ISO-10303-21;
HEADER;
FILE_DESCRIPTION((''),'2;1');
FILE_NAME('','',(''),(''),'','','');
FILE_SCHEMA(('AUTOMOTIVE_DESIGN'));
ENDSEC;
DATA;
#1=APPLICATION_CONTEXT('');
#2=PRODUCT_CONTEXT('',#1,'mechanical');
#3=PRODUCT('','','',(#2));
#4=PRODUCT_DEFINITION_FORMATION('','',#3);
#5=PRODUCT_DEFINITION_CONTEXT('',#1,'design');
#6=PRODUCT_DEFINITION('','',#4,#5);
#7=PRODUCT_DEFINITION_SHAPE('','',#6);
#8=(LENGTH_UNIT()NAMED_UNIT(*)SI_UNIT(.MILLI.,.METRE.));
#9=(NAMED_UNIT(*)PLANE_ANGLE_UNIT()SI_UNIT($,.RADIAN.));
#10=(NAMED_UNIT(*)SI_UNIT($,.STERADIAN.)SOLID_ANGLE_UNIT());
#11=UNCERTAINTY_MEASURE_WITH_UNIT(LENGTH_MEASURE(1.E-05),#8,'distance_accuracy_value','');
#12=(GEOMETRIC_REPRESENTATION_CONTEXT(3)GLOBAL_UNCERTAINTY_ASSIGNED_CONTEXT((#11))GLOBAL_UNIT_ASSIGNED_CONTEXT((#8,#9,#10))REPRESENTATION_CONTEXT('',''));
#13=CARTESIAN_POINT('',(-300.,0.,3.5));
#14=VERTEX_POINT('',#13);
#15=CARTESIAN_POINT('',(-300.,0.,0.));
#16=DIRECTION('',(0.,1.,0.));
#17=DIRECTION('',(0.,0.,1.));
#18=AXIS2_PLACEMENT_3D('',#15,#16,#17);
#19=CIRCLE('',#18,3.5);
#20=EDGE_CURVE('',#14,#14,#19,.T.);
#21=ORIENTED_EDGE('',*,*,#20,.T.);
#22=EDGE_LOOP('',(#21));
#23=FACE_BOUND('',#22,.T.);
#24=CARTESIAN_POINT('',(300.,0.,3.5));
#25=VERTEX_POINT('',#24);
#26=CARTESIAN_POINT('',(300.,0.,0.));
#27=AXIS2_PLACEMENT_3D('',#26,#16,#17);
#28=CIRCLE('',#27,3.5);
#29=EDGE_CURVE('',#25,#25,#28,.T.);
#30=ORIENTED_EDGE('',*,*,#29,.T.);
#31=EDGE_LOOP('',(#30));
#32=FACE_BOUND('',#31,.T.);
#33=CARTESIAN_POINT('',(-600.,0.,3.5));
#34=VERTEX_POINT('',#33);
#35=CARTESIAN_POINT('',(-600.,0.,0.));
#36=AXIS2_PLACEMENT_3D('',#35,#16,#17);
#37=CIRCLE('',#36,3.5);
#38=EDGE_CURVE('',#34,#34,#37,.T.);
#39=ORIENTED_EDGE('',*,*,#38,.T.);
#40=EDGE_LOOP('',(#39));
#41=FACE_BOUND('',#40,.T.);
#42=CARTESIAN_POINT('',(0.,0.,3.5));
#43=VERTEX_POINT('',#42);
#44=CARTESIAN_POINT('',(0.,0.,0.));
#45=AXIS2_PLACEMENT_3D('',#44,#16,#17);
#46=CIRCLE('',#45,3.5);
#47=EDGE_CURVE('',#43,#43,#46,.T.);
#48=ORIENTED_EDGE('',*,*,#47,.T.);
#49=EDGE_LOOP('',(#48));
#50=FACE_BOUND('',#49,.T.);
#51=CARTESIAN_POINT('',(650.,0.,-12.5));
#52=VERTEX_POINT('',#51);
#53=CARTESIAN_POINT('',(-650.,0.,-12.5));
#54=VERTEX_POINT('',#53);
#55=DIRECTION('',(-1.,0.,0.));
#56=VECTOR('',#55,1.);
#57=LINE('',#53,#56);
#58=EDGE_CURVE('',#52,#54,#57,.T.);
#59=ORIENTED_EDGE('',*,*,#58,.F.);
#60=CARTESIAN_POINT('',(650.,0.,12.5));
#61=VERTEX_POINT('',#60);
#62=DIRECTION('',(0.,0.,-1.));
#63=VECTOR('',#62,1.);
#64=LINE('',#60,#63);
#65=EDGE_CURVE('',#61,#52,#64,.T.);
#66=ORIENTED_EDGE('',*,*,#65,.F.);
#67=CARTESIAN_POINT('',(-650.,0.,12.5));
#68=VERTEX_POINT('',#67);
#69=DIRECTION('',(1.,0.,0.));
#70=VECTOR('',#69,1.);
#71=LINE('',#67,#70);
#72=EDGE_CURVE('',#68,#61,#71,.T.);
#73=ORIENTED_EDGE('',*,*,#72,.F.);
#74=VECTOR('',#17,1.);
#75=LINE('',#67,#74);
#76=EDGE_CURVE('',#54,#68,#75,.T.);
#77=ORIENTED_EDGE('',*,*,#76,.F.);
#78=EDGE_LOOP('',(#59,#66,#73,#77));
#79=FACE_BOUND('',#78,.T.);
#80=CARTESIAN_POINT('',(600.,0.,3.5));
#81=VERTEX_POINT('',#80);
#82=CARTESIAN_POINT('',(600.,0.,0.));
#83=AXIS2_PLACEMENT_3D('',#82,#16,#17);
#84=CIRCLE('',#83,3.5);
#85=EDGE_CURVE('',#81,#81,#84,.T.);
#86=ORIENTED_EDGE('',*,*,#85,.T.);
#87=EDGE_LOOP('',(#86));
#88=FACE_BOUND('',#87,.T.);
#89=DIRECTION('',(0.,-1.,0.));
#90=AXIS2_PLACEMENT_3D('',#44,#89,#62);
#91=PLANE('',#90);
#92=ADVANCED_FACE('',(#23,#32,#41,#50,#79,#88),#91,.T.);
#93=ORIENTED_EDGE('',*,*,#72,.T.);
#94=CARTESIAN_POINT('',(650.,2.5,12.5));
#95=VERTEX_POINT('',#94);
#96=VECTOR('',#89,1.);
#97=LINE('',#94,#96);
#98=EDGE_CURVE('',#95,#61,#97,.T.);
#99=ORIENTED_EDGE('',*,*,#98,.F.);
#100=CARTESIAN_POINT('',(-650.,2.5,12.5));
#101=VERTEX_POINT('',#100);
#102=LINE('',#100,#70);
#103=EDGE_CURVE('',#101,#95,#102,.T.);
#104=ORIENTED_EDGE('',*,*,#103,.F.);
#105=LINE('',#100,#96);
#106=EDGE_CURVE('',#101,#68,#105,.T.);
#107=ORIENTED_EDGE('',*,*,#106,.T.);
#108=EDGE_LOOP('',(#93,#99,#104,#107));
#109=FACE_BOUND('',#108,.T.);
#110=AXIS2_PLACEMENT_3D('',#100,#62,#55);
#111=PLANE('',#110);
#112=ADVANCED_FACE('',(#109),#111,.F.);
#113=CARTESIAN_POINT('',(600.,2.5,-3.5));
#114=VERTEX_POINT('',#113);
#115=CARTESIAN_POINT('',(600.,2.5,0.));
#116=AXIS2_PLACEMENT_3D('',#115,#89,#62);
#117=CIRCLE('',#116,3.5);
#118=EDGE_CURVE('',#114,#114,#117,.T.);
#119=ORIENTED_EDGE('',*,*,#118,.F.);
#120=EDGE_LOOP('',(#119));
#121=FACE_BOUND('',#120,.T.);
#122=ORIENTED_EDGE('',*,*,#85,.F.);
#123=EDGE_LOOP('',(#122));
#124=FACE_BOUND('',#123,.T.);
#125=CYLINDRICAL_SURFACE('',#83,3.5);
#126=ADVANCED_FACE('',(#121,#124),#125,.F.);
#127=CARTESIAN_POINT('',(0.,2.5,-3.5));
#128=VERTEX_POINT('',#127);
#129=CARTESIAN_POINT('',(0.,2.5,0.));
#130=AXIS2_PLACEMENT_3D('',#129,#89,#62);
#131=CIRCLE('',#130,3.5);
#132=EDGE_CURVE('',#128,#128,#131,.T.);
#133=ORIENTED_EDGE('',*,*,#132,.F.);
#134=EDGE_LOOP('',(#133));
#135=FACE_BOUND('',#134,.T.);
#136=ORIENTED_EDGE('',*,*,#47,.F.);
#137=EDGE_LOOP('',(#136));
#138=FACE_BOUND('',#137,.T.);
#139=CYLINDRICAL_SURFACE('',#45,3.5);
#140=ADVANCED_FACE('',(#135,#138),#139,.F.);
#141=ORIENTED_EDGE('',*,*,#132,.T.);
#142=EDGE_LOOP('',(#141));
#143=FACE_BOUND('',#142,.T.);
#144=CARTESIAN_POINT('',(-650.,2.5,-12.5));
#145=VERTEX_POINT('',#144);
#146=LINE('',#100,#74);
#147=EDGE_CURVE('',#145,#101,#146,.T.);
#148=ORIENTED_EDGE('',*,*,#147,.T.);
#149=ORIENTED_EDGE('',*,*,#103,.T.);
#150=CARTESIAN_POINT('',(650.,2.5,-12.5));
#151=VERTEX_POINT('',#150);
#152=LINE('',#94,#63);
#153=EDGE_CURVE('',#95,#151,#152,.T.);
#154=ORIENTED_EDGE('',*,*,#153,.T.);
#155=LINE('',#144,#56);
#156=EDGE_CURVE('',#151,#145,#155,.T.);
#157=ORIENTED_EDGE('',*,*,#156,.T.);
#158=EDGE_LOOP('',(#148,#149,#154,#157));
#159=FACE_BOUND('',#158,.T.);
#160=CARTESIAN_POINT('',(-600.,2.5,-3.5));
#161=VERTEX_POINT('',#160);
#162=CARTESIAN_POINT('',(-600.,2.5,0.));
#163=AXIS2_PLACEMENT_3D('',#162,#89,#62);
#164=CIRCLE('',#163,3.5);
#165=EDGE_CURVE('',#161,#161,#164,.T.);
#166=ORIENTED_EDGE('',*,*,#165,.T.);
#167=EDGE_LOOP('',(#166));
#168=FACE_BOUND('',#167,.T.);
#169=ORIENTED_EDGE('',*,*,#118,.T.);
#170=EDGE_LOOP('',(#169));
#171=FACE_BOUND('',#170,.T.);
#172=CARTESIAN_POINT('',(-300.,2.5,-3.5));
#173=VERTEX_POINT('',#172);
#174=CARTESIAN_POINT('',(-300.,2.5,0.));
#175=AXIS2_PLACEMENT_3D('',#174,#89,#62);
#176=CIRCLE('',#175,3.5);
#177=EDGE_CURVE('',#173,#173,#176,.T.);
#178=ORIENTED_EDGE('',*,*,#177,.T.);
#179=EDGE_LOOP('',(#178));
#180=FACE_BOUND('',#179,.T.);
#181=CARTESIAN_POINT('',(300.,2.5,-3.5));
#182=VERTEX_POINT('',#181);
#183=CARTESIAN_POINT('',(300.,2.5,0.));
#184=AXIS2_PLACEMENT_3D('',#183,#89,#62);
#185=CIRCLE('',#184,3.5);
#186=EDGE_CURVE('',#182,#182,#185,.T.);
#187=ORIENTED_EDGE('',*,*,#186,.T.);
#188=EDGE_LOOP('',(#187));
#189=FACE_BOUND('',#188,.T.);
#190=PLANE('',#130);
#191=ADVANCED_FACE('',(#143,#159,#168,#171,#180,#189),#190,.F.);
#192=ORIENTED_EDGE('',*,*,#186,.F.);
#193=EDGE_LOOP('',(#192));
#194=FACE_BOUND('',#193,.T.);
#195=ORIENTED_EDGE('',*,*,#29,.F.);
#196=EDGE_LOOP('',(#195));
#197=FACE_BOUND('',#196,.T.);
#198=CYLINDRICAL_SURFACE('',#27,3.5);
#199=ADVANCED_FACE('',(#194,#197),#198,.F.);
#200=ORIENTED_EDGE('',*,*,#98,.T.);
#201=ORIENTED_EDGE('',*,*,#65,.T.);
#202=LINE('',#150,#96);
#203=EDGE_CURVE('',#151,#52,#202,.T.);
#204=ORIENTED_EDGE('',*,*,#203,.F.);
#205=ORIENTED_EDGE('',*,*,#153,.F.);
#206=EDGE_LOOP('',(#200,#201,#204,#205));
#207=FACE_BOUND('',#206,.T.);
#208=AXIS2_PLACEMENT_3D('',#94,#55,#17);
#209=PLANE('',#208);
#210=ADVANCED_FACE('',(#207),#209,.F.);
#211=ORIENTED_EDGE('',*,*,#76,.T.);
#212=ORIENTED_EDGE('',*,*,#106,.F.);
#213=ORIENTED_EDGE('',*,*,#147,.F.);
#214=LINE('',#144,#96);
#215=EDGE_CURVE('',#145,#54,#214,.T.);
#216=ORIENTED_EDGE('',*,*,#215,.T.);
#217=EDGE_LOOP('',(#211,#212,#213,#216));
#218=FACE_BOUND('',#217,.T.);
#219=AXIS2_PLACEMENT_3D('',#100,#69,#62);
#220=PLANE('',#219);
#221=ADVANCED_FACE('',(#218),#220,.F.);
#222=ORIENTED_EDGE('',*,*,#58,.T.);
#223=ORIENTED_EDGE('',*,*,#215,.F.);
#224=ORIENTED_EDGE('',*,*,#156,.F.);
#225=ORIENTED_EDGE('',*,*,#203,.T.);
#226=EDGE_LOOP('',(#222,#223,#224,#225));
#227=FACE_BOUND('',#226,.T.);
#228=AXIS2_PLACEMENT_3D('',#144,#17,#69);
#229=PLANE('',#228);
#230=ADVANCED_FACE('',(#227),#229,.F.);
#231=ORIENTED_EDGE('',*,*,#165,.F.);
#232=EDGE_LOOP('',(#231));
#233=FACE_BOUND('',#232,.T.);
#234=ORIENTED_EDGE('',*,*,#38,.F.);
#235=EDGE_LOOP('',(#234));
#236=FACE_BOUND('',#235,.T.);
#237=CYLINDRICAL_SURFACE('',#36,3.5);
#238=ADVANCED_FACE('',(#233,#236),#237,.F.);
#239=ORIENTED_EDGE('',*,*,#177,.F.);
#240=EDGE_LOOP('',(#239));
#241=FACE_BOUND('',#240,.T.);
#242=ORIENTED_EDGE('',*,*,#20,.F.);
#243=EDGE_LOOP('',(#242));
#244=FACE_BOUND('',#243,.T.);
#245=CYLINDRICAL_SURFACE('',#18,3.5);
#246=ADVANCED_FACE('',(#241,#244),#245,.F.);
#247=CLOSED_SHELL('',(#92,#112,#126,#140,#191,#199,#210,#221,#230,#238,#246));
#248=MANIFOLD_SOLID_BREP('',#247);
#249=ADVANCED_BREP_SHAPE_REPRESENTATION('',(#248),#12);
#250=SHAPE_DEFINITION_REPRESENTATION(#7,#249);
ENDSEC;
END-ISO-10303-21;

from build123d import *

# Parameters (mm, degrees)
SKETCH1_W           = 1300
SKETCH1_H           = 25
BOSS_EXTRUDE1_DEPTH = 2.5
SKETCH2_R           = 3.5
CUT_EXTRUDE1_DEPTH  = 651.124987983
LPATTERN1_COUNT     = 5
LPATTERN1_PITCH     = 300


with BuildPart() as part:
    # Sketch1 → Boss-Extrude1 (new body)
    with BuildSketch(Plane(origin=(0, 0, 0), x_dir=(1, 0, 0), z_dir=(0, 1, 0))):
        Rectangle(SKETCH1_W, SKETCH1_H)
    extrude(amount=BOSS_EXTRUDE1_DEPTH)

    # Sketch2 → Cut-Extrude1 (cut, symmetric)
    with BuildSketch(Plane(origin=(0, 2.5, 0), x_dir=(1, 0, 0), z_dir=(0, 1, 0))):
        with Locations(Location((-600, 0, 0), (0, 0, 270))):
            Circle(SKETCH2_R)
    cut_extrude1 = extrude(amount=CUT_EXTRUDE1_DEPTH, both=True, mode=Mode.SUBTRACT)

    # LPattern1: Cut-Extrude1 ×5
    with Locations(*[(i * LPATTERN1_PITCH, 0, 0) for i in range(1, LPATTERN1_COUNT)]):
        add(cut_extrude1, mode=Mode.SUBTRACT)


solid = part.part
